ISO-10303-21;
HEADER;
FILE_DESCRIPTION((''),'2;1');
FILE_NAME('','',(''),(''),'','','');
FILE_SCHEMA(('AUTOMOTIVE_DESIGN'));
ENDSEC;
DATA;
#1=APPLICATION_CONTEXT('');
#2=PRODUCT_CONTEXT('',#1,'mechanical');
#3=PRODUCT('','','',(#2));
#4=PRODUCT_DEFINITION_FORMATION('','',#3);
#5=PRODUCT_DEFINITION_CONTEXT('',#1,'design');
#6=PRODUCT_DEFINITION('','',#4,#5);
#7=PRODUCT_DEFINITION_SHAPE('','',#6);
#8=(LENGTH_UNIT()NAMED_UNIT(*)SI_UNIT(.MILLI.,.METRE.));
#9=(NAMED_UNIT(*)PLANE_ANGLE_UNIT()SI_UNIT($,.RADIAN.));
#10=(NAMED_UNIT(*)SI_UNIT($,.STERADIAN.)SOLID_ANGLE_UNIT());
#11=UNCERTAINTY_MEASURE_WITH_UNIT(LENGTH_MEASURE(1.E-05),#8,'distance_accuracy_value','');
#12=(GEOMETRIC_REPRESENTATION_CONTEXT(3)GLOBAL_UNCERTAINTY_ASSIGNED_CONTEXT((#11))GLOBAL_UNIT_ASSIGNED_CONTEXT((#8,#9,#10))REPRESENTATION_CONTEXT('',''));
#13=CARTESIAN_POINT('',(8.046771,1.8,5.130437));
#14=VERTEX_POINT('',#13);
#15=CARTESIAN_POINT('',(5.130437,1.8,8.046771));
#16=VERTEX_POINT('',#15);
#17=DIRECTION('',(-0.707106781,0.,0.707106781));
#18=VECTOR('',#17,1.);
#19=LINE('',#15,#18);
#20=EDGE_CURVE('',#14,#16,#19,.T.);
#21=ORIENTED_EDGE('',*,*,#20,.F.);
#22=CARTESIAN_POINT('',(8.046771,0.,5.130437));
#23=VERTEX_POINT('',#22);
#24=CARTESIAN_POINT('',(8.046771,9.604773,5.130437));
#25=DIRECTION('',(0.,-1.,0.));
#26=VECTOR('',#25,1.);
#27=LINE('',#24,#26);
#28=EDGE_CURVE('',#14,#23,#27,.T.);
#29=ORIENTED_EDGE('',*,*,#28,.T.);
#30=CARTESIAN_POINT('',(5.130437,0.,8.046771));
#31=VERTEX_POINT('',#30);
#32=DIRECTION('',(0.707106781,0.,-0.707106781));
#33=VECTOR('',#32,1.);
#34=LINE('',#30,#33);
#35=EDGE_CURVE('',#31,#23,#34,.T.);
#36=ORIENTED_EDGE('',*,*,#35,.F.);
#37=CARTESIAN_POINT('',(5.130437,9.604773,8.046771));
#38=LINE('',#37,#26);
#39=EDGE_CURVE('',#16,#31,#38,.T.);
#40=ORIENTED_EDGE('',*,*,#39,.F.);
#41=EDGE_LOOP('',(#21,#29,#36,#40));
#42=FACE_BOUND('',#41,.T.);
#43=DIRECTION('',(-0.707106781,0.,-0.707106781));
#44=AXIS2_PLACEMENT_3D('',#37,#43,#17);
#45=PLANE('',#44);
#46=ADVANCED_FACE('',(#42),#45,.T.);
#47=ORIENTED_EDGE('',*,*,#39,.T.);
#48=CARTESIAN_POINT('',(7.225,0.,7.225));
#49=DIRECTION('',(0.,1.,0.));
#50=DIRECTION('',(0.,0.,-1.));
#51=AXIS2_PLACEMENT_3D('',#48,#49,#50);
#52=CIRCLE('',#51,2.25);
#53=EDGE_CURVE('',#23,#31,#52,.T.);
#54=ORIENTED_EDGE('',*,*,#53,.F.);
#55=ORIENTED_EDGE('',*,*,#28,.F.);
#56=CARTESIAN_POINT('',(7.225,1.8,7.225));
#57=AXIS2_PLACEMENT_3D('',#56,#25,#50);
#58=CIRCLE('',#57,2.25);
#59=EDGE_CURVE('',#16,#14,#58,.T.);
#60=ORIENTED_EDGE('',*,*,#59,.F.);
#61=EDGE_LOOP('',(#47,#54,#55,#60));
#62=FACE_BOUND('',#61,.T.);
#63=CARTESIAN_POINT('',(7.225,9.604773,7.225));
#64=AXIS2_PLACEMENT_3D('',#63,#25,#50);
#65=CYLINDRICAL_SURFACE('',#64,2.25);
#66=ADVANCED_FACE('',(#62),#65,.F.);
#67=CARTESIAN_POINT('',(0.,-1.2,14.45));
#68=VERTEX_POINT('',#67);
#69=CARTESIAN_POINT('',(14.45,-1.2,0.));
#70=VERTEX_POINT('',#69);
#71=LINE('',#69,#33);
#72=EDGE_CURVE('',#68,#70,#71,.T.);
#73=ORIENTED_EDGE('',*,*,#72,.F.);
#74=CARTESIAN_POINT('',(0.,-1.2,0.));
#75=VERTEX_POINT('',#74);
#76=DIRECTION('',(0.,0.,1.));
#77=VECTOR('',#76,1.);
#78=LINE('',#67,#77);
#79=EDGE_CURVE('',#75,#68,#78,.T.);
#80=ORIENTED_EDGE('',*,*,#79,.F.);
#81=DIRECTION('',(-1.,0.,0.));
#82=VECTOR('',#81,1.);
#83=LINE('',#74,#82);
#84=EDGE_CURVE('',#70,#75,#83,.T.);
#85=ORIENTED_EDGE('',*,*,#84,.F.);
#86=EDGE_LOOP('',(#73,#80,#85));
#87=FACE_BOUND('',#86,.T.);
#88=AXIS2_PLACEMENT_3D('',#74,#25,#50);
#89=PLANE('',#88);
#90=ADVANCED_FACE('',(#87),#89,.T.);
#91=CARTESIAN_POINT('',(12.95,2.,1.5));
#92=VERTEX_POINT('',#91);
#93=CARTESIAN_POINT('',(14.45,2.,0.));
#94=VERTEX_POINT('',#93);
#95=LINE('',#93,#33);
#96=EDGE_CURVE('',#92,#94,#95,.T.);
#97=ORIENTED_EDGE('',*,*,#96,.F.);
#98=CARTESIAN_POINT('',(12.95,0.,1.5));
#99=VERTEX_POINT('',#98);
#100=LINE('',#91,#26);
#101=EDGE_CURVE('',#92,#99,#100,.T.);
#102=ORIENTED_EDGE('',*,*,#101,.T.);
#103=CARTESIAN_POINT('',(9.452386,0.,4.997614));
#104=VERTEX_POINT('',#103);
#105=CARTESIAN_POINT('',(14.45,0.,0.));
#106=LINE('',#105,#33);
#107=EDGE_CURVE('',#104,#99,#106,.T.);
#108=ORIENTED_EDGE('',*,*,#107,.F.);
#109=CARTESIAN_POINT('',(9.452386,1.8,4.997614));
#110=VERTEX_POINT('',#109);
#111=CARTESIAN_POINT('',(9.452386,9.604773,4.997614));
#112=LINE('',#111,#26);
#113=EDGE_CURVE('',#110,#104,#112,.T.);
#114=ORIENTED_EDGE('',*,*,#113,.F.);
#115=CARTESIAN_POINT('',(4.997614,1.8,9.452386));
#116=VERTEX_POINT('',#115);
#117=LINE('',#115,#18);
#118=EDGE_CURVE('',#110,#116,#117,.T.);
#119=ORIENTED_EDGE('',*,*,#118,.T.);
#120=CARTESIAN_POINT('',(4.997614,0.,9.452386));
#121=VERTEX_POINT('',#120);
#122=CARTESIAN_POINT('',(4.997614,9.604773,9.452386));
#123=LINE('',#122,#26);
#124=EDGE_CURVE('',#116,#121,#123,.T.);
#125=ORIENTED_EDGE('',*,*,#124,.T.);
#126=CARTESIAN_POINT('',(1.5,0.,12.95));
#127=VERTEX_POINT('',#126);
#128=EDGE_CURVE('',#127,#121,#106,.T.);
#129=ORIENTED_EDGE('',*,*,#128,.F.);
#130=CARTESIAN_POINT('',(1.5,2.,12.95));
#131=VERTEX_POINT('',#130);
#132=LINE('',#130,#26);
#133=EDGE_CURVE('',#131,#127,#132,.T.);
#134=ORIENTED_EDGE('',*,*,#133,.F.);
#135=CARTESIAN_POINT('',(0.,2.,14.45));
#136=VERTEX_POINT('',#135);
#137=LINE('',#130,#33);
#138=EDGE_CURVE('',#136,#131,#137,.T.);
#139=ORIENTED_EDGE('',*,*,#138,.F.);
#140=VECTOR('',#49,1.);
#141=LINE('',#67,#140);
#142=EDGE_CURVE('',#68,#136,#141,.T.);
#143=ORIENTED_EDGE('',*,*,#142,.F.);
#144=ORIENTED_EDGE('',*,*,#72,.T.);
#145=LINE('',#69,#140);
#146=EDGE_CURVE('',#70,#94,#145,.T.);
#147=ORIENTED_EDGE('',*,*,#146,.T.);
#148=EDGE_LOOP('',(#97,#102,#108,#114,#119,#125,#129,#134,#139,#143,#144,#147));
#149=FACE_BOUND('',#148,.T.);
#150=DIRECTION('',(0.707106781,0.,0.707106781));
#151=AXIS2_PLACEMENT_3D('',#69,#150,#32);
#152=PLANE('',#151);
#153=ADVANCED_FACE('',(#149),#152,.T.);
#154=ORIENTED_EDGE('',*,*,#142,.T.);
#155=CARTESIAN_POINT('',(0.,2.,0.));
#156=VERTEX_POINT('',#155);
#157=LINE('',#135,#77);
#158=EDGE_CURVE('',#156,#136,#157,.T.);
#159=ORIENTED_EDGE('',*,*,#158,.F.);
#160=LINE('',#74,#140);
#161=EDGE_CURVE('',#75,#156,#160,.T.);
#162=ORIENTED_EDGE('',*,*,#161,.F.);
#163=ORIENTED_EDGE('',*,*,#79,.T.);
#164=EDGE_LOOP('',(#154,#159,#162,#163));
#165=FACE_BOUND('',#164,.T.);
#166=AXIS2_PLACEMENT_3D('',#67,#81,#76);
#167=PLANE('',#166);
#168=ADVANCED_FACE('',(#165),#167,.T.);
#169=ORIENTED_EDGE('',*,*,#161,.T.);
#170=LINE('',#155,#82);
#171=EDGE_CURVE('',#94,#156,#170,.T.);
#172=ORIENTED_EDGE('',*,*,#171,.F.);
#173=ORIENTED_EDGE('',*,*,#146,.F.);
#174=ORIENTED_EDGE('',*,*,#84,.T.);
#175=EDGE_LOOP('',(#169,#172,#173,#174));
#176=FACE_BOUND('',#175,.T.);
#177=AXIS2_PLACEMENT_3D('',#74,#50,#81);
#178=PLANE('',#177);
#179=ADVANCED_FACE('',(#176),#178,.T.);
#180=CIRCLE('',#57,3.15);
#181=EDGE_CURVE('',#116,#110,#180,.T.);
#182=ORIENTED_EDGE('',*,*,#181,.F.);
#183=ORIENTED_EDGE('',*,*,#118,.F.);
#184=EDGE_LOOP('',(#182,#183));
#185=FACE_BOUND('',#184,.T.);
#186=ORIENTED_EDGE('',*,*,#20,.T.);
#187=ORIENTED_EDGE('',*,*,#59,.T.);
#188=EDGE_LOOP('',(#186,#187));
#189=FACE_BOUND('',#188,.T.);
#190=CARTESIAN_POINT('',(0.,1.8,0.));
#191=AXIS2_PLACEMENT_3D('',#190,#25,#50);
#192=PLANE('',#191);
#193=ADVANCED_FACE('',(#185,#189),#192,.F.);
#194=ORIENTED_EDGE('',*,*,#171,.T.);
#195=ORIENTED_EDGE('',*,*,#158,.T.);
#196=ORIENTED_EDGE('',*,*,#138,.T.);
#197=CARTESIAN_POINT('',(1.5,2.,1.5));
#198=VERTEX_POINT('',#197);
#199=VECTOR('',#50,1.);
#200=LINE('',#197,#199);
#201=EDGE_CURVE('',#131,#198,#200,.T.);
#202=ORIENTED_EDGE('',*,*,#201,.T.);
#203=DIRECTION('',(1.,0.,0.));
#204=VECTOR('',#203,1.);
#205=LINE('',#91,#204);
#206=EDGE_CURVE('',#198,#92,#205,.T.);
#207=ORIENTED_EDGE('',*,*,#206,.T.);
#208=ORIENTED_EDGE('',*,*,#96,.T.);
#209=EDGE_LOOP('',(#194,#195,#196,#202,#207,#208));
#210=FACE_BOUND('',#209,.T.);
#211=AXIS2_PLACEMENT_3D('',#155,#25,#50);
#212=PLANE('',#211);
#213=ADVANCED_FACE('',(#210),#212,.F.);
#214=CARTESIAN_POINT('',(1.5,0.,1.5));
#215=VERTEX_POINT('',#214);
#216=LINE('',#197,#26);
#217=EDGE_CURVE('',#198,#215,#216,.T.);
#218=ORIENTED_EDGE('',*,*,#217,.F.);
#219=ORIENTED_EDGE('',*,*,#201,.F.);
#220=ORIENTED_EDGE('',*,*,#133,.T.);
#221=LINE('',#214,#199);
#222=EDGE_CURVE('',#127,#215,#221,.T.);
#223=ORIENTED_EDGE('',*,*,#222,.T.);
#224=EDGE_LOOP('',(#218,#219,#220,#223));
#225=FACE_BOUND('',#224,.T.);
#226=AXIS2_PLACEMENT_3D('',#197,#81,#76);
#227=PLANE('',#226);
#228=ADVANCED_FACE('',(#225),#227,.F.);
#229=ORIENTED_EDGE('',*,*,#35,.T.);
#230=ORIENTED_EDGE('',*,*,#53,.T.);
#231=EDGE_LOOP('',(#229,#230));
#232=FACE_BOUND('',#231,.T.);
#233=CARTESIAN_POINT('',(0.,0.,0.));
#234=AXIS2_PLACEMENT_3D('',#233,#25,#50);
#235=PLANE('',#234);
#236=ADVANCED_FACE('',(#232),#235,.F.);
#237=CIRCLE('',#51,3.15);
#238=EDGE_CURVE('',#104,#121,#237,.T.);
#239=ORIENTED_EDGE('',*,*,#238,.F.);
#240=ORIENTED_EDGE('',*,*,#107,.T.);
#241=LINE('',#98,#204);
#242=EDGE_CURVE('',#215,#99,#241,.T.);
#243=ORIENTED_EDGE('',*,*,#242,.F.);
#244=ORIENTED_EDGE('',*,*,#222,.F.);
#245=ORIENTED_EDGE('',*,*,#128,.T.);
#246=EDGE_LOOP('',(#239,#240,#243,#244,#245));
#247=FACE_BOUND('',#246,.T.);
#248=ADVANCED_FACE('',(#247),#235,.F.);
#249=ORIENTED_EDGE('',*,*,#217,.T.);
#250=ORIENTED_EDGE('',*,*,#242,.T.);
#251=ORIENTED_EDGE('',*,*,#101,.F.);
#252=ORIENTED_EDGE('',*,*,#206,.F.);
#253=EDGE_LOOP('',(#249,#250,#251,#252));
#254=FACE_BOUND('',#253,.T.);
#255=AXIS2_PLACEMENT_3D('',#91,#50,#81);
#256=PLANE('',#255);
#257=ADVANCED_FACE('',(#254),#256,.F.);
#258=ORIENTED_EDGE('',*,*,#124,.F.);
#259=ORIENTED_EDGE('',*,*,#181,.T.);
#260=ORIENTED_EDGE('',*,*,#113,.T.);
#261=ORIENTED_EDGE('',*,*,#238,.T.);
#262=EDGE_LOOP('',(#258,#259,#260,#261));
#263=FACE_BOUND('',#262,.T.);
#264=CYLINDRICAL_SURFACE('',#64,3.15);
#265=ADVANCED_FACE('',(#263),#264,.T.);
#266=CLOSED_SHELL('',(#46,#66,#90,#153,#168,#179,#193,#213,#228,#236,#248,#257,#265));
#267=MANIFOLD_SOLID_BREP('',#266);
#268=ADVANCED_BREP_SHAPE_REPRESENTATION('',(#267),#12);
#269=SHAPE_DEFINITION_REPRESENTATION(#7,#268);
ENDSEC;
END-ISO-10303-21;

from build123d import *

# Parameters (mm, degrees)
BOSS_EXTRUDE1_DEPTH = 1.2
BOSS_EXTRUDE2_DEPTH = 2
BOSS_EXTRUDE3_DEPTH = 1.8


with BuildPart() as part:
    # Sketch1 → Boss-Extrude1 (new body)
    with BuildSketch(Plane(origin=(0, 0, 0), x_dir=(1, 0, 0), z_dir=(0, 1, 0))):
        Polygon((0, 0), (14.45, 0), (0, -14.45), align=None)
    extrude(amount=-BOSS_EXTRUDE1_DEPTH)

    # Sketch2 → Boss-Extrude2 (add)
    with BuildSketch(Plane(origin=(0, 0, 0), x_dir=(1, 0, 0), z_dir=(0, 1, 0))):
        Polygon((0, 0), (14.45, 0), (12.95, -1.5), (1.5, -1.5), (1.5, -12.95), (0, -14.45), align=None)
    extrude(amount=BOSS_EXTRUDE2_DEPTH)

    # Sketch3 → Boss-Extrude3 (add)
    with BuildSketch(Plane(origin=(0, 0, 0), x_dir=(1, 0, 0), z_dir=(0, 1, 0))):
        with BuildLine():
            Line((4.997613639, -9.452386361), (9.452386361, -4.997613639))
            ThreePointArc((9.452386361, -4.997613639), (4.997613639, -4.997613639), (4.997613639, -9.452386361))
        make_face()
        with BuildLine():
            Line((5.13043724, -8.046770554), (8.046770554, -5.13043724))
            ThreePointArc((8.046770554, -5.13043724), (5.634009742, -5.634009742), (5.13043724, -8.046770554))
        make_face(mode=Mode.SUBTRACT)
    extrude(amount=BOSS_EXTRUDE3_DEPTH)


solid = part.part
